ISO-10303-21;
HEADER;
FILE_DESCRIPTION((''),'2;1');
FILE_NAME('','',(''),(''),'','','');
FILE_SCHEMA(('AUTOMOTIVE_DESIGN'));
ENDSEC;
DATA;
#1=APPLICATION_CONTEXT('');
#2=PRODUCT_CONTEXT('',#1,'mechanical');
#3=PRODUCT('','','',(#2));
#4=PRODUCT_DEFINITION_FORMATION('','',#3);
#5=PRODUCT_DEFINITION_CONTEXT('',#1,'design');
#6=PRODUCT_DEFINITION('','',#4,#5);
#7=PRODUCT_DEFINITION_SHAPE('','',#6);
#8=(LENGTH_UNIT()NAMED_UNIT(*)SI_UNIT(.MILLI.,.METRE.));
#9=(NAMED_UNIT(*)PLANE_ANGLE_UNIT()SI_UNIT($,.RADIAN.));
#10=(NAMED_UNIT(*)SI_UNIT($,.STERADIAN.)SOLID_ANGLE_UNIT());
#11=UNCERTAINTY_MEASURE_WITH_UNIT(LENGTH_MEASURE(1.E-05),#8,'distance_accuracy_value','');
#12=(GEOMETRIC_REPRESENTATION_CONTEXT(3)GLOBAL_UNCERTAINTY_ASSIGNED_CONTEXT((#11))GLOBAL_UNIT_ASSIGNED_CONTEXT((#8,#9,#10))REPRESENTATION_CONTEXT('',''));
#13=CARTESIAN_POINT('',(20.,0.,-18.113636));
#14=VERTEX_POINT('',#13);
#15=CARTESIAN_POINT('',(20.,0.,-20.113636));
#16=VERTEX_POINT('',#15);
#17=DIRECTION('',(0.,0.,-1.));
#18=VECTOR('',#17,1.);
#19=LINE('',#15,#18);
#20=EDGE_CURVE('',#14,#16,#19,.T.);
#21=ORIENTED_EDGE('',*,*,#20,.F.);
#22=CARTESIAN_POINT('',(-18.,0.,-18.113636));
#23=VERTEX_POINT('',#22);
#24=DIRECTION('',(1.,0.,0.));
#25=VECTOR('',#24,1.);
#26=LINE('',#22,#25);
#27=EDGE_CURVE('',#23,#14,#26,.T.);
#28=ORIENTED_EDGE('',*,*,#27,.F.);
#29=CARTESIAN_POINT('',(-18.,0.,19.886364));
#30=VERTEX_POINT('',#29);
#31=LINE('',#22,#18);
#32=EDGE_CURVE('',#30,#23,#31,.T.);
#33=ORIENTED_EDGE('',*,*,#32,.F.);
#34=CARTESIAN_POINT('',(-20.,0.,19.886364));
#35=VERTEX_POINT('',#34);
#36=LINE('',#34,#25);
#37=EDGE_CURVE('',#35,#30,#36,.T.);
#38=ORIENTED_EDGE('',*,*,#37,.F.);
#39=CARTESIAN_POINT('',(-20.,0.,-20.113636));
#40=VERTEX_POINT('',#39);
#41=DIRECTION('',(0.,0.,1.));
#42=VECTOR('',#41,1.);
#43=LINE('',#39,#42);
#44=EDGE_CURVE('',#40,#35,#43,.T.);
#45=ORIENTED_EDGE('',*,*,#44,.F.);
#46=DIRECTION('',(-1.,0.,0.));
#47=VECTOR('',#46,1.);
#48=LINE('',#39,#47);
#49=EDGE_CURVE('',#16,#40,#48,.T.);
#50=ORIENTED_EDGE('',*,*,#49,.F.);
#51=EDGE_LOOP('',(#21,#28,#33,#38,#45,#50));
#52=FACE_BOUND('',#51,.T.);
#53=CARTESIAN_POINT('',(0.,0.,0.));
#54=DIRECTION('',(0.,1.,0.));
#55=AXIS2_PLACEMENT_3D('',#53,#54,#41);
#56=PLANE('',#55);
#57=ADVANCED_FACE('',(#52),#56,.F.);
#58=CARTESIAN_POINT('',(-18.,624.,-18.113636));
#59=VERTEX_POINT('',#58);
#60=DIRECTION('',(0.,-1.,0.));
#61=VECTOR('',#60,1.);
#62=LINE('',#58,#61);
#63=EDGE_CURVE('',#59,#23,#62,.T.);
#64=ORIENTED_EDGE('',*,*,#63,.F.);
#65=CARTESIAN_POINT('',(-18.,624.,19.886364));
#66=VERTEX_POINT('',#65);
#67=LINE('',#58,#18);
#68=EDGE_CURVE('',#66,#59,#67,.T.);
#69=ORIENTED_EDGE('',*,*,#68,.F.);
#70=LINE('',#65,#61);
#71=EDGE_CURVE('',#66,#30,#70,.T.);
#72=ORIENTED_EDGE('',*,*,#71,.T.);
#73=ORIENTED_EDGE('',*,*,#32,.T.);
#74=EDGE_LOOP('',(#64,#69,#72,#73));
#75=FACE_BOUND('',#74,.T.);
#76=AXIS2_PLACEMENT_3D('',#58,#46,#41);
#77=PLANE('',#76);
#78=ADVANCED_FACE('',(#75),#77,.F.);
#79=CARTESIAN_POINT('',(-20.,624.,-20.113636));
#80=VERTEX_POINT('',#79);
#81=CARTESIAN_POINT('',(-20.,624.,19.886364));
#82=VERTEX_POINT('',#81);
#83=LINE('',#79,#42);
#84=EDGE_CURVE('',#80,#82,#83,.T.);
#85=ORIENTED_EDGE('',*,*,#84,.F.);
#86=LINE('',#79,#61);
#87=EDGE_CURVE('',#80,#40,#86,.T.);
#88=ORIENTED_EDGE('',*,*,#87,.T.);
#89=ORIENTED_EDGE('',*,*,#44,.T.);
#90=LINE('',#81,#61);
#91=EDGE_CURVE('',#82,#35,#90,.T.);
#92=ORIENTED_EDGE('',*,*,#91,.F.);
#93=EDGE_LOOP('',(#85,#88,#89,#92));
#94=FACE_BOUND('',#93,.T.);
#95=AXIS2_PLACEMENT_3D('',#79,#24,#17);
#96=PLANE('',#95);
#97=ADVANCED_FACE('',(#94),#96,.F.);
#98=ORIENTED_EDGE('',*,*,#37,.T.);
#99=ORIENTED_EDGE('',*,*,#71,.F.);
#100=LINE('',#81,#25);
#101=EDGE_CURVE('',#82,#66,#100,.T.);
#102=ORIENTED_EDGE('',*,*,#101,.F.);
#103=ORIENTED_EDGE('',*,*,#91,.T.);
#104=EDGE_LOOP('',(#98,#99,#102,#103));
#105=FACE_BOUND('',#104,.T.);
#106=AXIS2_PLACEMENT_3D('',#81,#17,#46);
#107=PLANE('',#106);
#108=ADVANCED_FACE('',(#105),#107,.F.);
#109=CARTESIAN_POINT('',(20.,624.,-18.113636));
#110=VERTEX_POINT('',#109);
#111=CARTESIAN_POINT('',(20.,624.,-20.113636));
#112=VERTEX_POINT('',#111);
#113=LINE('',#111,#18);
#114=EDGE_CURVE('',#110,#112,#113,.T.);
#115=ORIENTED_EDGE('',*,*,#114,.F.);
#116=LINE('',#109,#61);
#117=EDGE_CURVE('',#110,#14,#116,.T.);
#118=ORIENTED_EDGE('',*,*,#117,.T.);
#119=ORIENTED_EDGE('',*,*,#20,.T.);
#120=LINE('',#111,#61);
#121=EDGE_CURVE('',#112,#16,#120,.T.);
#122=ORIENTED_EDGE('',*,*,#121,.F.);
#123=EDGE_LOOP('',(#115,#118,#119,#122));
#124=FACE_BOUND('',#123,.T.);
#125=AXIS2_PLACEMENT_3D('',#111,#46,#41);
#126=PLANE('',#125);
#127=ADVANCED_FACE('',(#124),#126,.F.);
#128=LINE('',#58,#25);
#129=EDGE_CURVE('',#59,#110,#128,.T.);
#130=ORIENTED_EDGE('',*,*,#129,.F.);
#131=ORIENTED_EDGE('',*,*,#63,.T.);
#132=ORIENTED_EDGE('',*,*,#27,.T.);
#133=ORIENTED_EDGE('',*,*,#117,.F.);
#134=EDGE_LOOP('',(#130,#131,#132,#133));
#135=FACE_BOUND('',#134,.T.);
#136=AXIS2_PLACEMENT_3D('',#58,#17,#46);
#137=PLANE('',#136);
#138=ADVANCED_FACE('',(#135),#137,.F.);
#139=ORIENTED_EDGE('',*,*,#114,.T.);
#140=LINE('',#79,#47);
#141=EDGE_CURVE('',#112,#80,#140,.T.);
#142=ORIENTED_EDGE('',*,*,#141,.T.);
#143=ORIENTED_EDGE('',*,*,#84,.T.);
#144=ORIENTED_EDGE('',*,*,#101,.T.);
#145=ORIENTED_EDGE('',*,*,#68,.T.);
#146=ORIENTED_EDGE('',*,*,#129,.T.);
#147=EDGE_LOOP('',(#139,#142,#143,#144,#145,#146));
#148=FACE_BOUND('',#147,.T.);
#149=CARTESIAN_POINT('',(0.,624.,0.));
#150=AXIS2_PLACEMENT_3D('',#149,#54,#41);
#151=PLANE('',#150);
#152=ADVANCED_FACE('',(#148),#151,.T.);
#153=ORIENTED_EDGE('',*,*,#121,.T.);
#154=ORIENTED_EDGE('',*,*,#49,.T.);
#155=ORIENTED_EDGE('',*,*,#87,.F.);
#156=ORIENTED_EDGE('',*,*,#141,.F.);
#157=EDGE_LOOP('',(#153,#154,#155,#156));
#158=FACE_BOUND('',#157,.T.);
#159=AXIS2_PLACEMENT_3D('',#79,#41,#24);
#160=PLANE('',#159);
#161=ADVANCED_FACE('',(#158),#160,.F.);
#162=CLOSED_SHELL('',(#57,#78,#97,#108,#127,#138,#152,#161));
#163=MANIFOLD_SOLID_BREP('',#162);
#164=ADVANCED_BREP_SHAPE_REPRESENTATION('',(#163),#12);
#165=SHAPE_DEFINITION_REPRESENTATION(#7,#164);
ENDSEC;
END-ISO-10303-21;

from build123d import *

# Parameters (mm, degrees)
BOSS_EXTRU_1_DEPTH = 624


with BuildPart() as part:
    # Esquisse1 → Boss.-Extru.1 (new body)
    with BuildSketch(Plane(origin=(0, 0, 0), x_dir=(1, 0, 0), z_dir=(0, 1, 0))):
        Polygon((-20, 20.113636364), (20, 20.113636364), (20, 18.113636364), (-18, 18.113636364), (-18, -19.886363636), (-20, -19.886363636), align=None)
    extrude(amount=BOSS_EXTRU_1_DEPTH)


solid = part.part
